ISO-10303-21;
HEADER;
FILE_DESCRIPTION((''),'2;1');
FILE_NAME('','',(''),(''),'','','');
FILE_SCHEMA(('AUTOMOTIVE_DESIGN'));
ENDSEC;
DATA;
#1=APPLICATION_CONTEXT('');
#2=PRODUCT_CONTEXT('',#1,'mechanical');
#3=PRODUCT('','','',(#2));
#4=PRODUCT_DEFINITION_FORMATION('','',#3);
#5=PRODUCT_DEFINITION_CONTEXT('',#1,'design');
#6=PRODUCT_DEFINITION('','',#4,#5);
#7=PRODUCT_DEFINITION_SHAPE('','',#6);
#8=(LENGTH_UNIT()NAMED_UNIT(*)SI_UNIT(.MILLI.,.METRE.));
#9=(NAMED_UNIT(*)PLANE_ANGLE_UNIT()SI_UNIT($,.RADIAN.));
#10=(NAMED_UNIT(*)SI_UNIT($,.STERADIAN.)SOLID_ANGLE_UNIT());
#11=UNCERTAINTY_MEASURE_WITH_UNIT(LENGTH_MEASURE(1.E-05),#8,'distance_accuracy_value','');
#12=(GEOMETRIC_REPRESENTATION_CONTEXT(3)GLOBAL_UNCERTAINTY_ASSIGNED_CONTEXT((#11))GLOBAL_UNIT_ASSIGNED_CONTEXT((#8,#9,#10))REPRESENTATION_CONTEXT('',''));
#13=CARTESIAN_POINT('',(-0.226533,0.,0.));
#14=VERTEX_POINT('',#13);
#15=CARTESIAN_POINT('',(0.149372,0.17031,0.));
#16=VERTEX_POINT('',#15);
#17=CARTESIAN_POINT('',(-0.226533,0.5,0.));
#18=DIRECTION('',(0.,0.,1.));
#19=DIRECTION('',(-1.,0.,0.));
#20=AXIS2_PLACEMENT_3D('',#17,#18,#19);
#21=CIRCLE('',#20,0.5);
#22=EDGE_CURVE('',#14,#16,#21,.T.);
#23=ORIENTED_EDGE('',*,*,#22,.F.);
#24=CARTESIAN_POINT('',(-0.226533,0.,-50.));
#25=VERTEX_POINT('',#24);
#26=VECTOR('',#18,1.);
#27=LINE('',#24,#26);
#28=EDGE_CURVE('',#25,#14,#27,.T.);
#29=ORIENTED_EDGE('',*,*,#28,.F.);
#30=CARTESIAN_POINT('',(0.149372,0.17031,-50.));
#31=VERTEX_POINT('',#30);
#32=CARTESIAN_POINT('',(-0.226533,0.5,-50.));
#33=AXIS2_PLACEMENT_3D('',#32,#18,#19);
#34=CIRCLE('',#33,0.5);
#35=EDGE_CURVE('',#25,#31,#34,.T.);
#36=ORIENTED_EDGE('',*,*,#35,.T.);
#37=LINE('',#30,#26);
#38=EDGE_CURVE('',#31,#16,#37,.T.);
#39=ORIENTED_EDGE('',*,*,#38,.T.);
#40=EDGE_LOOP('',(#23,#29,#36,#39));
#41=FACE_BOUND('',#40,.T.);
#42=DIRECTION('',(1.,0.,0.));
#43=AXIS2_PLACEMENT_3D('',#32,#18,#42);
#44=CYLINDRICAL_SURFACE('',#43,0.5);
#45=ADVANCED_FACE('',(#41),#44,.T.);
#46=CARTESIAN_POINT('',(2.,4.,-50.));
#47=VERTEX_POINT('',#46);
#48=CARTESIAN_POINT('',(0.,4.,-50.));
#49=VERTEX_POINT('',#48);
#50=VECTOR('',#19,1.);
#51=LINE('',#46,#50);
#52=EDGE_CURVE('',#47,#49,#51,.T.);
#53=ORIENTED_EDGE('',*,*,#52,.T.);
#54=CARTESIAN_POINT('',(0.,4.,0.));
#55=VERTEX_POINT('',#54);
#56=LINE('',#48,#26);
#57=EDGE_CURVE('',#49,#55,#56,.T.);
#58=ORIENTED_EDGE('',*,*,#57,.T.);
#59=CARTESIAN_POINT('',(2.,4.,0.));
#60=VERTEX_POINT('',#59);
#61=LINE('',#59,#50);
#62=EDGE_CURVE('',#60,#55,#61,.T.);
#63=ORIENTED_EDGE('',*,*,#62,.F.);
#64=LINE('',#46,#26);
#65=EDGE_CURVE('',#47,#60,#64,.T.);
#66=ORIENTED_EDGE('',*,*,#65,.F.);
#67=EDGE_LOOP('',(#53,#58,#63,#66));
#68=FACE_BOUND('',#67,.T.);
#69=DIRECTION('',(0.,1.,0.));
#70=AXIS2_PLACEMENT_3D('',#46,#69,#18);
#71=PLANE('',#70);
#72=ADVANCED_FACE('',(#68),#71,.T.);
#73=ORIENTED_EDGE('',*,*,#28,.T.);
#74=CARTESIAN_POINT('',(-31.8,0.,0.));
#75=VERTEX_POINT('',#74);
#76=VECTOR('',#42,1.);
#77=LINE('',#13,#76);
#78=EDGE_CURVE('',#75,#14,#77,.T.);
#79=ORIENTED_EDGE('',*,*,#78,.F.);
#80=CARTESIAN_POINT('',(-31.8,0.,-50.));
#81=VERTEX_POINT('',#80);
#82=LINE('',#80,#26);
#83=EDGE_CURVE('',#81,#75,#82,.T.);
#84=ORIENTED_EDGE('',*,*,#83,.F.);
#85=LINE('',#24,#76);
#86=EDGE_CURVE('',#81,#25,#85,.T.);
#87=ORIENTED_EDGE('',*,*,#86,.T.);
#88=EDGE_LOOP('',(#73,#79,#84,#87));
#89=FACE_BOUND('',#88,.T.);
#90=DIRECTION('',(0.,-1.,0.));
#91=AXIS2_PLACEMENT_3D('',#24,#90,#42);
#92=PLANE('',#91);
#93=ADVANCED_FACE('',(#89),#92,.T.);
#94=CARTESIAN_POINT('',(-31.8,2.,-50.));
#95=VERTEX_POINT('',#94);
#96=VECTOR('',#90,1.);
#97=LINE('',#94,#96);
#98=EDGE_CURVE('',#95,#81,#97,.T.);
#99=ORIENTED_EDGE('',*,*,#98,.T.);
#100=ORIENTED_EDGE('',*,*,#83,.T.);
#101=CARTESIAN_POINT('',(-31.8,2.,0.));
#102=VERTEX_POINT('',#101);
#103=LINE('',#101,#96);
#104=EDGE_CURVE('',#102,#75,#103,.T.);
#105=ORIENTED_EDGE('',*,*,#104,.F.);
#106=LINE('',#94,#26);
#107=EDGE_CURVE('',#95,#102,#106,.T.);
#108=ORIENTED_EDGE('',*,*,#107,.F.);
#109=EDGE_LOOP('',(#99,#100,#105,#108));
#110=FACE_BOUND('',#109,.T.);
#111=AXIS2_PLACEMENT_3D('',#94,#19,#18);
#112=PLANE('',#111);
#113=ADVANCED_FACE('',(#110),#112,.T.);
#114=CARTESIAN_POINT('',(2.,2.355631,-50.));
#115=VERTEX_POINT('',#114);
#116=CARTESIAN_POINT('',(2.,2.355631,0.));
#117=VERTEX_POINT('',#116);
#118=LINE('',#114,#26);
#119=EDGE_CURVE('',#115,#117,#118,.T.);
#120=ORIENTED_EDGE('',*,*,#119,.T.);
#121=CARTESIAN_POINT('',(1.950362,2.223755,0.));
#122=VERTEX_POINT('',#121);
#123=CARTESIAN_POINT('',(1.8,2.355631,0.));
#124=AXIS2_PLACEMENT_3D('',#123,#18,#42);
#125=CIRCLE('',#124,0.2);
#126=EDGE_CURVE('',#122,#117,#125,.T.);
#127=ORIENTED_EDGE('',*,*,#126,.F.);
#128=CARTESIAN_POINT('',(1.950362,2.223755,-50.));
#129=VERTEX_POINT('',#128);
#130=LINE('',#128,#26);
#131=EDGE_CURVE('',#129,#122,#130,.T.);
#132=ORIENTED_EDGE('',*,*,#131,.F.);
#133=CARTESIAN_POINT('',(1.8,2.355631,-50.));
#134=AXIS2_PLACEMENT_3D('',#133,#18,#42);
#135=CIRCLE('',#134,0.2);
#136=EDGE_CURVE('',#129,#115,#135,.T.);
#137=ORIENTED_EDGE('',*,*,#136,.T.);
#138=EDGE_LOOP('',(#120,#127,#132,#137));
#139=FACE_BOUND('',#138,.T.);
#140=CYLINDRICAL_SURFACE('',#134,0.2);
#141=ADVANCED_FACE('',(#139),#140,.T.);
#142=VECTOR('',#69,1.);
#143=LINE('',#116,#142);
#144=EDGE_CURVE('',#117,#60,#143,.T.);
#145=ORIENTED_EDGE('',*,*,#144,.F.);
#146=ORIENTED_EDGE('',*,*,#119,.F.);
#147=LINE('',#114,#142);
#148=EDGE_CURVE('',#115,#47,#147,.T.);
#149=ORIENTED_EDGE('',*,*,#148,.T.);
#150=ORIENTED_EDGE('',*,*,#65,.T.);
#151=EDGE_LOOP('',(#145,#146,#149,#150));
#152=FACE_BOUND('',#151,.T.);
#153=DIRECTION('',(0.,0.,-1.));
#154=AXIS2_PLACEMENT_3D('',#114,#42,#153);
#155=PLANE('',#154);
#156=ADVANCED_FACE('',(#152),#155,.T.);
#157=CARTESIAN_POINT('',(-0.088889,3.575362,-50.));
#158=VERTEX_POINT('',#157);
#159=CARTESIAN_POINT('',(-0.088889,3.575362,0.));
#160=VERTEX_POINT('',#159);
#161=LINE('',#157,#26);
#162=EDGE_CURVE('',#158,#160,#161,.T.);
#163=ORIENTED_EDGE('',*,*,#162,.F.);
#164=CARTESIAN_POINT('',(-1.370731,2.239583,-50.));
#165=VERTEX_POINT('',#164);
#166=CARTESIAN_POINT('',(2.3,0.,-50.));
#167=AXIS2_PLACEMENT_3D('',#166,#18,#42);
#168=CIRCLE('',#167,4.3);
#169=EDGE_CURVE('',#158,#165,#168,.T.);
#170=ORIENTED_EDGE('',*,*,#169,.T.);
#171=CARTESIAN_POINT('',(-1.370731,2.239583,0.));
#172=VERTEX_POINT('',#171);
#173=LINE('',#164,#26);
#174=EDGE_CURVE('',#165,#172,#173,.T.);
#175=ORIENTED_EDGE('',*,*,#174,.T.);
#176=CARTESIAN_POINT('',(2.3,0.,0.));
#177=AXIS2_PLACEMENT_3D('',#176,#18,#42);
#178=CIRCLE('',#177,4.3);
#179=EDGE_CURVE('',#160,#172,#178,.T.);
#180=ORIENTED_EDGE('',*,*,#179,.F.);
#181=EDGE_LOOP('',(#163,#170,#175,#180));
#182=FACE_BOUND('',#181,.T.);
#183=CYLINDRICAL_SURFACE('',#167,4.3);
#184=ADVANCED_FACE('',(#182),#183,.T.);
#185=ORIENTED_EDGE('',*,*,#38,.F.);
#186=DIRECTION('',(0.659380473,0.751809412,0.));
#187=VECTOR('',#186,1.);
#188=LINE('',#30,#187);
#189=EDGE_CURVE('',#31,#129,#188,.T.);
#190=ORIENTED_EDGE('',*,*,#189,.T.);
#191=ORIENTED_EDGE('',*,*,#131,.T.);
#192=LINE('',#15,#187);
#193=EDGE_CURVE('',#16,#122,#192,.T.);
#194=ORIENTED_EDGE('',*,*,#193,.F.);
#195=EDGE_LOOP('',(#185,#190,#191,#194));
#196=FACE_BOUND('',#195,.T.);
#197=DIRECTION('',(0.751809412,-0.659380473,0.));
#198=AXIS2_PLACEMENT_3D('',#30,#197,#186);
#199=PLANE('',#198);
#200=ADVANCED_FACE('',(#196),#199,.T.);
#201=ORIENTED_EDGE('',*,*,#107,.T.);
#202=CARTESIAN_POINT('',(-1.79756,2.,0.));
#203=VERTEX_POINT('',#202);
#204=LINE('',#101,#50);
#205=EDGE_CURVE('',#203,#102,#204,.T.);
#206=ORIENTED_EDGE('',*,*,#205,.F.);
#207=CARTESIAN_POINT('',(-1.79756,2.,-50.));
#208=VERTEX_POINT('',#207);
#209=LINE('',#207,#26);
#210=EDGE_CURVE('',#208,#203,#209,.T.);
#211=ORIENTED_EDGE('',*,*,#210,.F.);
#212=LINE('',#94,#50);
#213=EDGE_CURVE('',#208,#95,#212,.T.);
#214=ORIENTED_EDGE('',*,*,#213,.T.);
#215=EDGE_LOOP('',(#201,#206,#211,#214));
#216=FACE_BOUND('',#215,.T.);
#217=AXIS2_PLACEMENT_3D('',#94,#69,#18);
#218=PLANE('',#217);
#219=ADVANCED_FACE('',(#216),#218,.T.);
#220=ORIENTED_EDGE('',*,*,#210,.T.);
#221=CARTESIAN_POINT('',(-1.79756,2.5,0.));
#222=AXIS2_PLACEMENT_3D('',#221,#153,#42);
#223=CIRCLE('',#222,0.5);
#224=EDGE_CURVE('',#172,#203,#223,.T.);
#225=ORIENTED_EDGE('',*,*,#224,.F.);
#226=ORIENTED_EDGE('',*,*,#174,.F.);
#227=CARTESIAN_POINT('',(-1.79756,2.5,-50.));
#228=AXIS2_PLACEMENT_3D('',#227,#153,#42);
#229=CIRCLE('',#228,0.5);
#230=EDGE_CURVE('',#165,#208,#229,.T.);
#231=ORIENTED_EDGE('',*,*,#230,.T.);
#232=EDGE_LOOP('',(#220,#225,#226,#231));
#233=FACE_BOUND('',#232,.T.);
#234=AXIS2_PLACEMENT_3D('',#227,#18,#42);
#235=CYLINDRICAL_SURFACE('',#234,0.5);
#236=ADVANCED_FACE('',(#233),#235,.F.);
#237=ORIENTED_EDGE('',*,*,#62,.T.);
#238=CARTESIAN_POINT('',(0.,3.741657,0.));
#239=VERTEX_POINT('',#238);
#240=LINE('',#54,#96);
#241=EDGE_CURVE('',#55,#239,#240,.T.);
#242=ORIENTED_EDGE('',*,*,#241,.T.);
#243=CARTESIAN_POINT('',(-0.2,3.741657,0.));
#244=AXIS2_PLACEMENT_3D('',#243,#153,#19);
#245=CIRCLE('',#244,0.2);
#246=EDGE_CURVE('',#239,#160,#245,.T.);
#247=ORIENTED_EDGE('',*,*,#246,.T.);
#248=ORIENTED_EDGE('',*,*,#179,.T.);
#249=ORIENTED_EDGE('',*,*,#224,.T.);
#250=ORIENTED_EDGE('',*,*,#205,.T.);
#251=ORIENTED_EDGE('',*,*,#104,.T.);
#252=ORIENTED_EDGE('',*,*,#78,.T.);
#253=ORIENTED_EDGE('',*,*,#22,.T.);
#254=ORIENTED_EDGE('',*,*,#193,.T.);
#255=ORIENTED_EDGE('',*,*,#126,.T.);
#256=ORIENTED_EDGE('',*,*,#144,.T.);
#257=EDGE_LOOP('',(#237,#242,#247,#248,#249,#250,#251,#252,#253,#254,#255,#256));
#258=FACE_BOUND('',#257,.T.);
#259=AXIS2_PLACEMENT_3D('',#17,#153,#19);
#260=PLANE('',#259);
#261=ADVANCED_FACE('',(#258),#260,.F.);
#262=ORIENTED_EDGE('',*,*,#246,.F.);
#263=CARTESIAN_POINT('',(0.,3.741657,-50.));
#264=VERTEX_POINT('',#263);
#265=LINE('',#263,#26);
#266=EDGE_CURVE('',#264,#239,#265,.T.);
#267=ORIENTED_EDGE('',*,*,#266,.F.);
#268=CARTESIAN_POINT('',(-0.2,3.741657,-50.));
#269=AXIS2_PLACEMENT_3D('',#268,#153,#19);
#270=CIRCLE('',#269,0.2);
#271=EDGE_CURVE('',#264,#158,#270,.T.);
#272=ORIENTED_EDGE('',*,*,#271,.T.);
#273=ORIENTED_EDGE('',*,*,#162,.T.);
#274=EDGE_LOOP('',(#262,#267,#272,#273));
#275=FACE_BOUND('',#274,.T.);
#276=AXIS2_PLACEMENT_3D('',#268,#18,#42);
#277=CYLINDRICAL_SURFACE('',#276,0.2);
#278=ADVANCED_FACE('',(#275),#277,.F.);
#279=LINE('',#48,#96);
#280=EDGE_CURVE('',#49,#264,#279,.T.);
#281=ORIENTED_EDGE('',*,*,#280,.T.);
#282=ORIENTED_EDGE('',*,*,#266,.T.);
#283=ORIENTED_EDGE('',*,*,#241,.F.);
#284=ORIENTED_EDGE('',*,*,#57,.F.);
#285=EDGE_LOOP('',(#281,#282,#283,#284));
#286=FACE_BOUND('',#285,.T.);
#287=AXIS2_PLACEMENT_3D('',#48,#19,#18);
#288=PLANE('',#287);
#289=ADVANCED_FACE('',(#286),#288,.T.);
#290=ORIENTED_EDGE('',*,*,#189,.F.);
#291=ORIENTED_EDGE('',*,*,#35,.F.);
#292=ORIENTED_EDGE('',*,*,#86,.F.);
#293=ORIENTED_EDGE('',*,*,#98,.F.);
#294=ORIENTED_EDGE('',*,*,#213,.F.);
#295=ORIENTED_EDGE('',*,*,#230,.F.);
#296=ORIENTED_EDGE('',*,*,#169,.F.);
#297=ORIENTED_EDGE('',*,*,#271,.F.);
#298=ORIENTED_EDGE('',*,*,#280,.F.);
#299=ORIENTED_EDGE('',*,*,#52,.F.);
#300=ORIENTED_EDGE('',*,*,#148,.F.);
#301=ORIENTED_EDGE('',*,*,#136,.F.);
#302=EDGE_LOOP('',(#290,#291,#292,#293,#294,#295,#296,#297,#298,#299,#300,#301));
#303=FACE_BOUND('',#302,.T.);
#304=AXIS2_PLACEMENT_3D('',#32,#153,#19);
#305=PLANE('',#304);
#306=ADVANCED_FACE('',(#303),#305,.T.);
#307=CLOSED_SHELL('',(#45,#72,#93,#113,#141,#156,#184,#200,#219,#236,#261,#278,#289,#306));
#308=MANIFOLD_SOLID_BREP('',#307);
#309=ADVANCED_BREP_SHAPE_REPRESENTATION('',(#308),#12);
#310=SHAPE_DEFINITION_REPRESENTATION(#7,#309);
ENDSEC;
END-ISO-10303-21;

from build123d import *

# Parameters (mm, degrees)
BOSS_EXTRUDE1_DEPTH = 50


with BuildPart() as part:
    # Sketch1 → Boss-Extrude1 (new body)
    with BuildSketch(Plane.XY):
        with BuildLine():
            Line((-0.226533162, 0), (-31.8, 0))
            Line((-31.8, 0), (-31.8, 2))
            Line((-31.8, 2), (-1.79756025, 2))
            ThreePointArc((-1.79756025, 2), (-1.552823997, 2.063990635), (-1.370731057, 2.239583333))
            ThreePointArc((-1.370731057, 2.239583333), (-0.802551257, 2.977276557), (-0.088888889, 3.575361503))
            ThreePointArc((-0.088888889, 3.575361503), (-0.023616579, 3.647376483), (0, 3.741657387))
            Line((0, 3.741657387), (0, 4))
            Line((0, 4), (2, 4))
            Line((2, 4), (2, 2.355630783))
            ThreePointArc((2, 2.355630783), (1.987179561, 2.285176459), (1.950361882, 2.223754688))
            Line((1.950361882, 2.223754688), (0.149371544, 0.170309763))
            ThreePointArc((0.149371544, 0.170309763), (-0.020190145, 0.044563331), (-0.226533162, 0))
        make_face()
    extrude(amount=-BOSS_EXTRUDE1_DEPTH)


solid = part.part
